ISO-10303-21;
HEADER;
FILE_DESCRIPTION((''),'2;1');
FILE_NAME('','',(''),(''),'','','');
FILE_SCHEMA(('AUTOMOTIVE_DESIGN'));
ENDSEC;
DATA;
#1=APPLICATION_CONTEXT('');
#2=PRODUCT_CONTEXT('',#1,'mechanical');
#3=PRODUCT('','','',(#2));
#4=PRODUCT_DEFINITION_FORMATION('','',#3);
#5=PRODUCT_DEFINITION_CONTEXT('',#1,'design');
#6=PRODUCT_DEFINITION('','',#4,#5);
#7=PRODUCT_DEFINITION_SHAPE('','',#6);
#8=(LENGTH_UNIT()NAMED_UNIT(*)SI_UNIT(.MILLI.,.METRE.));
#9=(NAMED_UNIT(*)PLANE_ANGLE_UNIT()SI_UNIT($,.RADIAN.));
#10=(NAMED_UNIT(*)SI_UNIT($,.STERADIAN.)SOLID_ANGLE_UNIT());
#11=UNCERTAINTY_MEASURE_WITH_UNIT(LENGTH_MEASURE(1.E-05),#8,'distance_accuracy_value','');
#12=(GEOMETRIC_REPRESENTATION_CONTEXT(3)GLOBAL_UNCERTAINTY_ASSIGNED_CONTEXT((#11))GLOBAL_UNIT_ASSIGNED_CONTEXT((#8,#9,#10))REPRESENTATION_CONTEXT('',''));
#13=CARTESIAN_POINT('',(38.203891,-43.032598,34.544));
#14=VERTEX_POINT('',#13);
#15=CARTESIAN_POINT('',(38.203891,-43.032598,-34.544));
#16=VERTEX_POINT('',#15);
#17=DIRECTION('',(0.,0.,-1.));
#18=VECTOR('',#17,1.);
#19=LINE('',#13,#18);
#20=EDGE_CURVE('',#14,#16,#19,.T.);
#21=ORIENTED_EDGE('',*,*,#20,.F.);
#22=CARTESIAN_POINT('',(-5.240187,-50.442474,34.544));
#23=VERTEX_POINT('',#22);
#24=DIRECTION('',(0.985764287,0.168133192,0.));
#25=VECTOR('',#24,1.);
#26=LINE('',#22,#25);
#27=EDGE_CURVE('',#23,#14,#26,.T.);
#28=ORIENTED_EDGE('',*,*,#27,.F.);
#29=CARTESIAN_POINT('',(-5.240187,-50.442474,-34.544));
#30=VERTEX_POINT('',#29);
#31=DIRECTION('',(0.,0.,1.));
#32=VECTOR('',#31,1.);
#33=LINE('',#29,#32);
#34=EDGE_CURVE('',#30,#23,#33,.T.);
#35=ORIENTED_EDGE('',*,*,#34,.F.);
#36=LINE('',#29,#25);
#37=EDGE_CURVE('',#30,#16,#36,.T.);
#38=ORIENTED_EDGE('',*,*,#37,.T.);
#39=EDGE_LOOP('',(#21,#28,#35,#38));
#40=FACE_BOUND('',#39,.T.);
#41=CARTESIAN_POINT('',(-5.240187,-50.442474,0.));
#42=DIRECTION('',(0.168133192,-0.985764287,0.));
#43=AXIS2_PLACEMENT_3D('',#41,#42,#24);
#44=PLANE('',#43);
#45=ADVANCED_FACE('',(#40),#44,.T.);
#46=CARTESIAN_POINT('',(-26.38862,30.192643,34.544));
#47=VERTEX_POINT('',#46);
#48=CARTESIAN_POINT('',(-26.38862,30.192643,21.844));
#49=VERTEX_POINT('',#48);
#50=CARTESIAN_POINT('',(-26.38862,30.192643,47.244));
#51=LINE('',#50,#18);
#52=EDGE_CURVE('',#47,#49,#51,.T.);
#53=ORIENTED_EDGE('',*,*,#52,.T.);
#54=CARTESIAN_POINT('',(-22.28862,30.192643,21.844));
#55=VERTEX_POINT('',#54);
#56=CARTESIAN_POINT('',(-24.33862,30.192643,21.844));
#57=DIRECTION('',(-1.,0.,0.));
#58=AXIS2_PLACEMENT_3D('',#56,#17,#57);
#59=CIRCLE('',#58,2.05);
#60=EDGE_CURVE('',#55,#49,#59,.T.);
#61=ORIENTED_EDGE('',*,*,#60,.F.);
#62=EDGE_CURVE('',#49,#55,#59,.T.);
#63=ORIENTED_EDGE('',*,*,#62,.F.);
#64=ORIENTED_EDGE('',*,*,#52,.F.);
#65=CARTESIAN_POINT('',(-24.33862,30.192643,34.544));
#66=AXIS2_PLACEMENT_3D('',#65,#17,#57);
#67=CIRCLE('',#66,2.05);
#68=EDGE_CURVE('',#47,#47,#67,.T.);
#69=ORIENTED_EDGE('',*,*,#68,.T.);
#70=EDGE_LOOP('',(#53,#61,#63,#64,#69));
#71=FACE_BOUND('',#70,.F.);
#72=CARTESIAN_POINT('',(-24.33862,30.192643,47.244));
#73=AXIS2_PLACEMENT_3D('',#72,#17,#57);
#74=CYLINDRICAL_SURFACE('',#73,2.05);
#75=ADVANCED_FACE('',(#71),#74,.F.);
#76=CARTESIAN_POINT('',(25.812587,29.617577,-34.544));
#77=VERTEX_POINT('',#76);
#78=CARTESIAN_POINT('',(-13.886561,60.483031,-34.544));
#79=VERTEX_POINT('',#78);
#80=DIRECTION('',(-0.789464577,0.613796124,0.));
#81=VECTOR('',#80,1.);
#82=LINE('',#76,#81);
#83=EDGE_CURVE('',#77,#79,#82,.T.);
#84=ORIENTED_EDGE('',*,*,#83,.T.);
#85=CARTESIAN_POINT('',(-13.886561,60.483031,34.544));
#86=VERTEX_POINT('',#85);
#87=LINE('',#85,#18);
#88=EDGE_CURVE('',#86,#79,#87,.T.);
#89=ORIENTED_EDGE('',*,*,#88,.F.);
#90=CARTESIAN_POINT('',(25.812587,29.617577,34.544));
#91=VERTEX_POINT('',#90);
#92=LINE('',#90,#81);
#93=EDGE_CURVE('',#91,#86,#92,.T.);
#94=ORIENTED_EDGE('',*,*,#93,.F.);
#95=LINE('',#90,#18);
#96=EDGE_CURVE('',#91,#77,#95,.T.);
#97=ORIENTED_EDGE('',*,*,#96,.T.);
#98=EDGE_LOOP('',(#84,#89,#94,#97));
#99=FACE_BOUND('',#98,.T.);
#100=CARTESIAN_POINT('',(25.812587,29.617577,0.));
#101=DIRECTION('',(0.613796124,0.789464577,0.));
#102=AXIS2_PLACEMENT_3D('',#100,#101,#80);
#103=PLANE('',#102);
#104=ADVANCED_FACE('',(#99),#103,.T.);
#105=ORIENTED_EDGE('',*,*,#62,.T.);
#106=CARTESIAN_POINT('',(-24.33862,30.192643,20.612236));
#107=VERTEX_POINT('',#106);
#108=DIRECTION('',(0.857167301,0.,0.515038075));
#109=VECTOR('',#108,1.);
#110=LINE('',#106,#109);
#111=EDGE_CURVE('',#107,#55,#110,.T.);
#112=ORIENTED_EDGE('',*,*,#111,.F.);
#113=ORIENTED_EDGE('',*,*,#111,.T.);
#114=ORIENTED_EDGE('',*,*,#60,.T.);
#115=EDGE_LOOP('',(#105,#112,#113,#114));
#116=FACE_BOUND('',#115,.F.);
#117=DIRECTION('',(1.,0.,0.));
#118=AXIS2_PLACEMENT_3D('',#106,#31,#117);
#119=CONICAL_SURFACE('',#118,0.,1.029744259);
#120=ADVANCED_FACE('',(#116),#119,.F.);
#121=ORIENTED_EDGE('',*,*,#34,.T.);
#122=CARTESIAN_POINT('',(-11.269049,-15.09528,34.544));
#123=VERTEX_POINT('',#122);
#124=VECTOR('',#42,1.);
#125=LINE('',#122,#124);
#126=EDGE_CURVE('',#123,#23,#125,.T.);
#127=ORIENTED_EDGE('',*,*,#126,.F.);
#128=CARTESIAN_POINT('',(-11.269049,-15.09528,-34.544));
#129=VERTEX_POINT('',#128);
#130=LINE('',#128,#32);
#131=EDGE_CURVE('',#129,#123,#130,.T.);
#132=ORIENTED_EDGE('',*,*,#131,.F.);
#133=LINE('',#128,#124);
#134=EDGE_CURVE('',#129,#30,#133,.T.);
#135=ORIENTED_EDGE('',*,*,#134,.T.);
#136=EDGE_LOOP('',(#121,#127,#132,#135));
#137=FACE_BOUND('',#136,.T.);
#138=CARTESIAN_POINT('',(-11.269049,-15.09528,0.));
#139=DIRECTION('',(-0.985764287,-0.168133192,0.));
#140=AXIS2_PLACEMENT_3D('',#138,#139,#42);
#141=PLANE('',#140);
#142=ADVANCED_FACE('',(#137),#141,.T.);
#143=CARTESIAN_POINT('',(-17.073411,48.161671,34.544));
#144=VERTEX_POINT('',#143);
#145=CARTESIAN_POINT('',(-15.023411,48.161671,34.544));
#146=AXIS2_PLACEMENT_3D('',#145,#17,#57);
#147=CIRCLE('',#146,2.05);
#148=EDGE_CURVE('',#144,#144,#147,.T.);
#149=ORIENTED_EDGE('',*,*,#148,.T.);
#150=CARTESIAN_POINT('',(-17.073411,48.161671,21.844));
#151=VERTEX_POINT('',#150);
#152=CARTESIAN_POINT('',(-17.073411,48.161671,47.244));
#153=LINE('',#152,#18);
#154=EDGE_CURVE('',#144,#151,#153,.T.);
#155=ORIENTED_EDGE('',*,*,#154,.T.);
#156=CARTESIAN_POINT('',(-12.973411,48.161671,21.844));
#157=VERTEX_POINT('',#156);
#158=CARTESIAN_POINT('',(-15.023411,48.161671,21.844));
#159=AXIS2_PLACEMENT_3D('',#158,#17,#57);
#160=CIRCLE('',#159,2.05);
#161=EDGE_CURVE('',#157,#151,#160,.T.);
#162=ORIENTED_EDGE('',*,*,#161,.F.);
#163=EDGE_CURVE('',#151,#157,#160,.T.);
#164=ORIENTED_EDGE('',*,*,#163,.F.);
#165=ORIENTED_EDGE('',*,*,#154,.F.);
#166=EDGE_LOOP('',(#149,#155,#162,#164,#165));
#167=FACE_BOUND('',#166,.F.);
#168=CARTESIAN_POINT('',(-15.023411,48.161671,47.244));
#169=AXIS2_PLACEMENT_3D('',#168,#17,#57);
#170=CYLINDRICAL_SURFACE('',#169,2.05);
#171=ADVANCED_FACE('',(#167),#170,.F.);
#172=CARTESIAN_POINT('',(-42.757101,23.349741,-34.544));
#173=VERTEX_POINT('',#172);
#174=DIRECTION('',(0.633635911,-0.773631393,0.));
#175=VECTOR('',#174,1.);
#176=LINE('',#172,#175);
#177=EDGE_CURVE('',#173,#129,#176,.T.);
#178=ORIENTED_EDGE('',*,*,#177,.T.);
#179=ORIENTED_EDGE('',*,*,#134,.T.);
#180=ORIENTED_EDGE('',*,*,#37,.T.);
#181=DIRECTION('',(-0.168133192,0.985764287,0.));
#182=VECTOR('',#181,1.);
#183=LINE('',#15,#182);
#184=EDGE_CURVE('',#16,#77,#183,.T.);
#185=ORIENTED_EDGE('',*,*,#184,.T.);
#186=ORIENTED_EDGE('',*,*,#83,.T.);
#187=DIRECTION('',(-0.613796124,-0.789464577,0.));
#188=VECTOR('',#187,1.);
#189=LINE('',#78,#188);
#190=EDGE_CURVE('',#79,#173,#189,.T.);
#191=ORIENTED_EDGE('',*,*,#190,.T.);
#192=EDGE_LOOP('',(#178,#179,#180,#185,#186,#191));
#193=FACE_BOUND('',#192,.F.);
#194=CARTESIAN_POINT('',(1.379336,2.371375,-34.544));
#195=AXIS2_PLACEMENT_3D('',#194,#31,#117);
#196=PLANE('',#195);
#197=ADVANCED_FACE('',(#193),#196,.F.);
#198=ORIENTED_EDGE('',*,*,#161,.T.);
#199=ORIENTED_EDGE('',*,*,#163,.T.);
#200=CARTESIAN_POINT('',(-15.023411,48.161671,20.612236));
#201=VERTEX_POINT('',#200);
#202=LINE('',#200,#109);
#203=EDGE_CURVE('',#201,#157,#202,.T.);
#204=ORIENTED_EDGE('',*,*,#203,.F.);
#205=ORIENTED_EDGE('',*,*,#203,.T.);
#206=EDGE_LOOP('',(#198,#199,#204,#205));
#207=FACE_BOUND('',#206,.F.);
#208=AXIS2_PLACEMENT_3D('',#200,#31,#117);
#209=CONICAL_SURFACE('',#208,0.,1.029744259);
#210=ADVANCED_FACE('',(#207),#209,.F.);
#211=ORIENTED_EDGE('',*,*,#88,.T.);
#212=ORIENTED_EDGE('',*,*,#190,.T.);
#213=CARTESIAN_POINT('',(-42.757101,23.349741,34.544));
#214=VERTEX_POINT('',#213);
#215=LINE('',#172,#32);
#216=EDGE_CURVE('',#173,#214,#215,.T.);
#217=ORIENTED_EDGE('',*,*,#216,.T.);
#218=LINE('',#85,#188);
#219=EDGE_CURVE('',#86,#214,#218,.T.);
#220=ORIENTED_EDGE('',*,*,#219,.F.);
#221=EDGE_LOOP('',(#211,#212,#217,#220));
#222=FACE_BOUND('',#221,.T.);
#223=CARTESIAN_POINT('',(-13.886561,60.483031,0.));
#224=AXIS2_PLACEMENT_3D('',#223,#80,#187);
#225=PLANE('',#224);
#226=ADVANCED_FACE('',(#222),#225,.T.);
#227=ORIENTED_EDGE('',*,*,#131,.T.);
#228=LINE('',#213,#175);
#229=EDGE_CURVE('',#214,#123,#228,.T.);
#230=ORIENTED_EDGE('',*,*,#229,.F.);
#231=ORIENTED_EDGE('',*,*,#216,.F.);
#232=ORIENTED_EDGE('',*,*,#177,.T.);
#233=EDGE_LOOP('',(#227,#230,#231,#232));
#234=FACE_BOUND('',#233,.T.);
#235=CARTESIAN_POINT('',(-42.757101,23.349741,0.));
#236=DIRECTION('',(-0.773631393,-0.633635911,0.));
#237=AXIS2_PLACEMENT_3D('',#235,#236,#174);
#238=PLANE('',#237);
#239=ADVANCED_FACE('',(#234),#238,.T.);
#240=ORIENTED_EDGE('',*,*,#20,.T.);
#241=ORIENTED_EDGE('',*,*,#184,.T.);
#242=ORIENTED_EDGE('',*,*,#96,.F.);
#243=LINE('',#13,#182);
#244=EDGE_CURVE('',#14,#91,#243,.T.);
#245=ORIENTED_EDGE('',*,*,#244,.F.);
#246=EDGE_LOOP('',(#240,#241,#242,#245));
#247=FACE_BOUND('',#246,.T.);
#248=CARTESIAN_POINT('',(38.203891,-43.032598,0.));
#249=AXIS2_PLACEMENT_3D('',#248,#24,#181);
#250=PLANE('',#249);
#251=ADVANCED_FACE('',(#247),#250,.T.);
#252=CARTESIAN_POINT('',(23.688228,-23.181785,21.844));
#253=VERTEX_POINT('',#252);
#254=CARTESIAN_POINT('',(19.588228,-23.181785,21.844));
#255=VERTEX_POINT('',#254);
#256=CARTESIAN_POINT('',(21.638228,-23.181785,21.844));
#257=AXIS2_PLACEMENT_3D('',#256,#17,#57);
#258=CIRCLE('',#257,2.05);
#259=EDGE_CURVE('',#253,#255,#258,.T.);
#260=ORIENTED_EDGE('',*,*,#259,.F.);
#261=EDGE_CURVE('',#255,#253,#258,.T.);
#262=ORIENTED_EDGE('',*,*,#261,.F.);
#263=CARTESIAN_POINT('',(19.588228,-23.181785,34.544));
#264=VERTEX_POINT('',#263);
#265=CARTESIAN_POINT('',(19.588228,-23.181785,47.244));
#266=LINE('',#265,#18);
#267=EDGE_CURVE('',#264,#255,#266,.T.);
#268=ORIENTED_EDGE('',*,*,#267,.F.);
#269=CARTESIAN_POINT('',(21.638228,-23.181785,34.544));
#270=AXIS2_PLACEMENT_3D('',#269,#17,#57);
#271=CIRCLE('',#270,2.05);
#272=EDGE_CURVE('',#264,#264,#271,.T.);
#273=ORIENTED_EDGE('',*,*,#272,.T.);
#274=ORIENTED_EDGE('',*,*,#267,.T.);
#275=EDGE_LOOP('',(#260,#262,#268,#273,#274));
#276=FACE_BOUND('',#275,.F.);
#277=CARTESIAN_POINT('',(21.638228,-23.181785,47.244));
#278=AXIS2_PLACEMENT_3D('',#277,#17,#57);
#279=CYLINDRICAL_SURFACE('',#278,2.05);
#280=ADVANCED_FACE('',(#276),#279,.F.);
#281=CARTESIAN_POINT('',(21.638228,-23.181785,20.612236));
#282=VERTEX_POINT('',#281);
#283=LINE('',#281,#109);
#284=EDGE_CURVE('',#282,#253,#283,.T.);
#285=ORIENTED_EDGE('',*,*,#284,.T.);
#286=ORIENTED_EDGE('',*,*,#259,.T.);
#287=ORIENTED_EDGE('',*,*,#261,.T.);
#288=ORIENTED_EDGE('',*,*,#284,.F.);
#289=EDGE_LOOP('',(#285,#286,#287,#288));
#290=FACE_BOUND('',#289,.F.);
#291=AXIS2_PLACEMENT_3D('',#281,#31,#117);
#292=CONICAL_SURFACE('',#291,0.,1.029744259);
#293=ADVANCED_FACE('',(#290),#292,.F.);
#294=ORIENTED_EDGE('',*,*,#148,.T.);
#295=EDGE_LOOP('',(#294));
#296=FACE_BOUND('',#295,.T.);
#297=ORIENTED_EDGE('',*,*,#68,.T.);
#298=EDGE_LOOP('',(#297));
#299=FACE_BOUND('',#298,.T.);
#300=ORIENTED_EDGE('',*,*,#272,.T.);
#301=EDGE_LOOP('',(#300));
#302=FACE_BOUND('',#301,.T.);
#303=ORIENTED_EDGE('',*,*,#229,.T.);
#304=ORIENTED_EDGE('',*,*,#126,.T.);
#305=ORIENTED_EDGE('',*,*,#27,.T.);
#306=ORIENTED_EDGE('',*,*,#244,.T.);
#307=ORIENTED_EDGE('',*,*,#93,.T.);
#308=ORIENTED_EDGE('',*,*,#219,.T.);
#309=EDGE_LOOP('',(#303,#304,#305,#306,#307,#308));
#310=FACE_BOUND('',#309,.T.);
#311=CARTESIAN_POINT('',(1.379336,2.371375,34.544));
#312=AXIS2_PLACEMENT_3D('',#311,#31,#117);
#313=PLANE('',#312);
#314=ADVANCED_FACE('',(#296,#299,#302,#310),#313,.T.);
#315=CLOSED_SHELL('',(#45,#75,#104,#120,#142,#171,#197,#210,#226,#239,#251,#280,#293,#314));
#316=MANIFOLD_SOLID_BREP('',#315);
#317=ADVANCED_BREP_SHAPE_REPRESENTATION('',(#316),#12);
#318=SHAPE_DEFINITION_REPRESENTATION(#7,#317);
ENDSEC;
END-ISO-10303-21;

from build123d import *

# Parameters (mm, degrees)
F1_DEPTH = 34.544
F3_D     = 4.1
F3_DEPTH = 12.7
F3_TIP   = 1.231764269


with BuildPart() as f1:
    # F0 (on Top) → F1 (new body, symmetric)
    with BuildSketch(Plane.XY):
        Polygon((-13.8865606859, 60.4830309749), (-42.757101357, 23.3497414738), (-11.2690485742, -15.0952798912), (-5.2401868215, -50.4424741696), (38.2038913667, -43.0325977504), (25.8125865485, 29.6175768167), align=None)
    extrude(amount=F1_DEPTH, both=True)

    # F3
    with Locations(Plane.XY.offset(34.544)):
        with Locations((-15.0234112516, 48.1616705656), (-24.3386197835, 30.192643404), (21.6382276267, -23.181784898)):
            Hole(F3_D / 2, depth=F3_DEPTH)
            with Locations((0, 0, -(F3_DEPTH + F3_TIP / 2))):  # 118° drill point
                Cone(0, F3_D / 2, F3_TIP, mode=Mode.SUBTRACT)


solid = f1.part
